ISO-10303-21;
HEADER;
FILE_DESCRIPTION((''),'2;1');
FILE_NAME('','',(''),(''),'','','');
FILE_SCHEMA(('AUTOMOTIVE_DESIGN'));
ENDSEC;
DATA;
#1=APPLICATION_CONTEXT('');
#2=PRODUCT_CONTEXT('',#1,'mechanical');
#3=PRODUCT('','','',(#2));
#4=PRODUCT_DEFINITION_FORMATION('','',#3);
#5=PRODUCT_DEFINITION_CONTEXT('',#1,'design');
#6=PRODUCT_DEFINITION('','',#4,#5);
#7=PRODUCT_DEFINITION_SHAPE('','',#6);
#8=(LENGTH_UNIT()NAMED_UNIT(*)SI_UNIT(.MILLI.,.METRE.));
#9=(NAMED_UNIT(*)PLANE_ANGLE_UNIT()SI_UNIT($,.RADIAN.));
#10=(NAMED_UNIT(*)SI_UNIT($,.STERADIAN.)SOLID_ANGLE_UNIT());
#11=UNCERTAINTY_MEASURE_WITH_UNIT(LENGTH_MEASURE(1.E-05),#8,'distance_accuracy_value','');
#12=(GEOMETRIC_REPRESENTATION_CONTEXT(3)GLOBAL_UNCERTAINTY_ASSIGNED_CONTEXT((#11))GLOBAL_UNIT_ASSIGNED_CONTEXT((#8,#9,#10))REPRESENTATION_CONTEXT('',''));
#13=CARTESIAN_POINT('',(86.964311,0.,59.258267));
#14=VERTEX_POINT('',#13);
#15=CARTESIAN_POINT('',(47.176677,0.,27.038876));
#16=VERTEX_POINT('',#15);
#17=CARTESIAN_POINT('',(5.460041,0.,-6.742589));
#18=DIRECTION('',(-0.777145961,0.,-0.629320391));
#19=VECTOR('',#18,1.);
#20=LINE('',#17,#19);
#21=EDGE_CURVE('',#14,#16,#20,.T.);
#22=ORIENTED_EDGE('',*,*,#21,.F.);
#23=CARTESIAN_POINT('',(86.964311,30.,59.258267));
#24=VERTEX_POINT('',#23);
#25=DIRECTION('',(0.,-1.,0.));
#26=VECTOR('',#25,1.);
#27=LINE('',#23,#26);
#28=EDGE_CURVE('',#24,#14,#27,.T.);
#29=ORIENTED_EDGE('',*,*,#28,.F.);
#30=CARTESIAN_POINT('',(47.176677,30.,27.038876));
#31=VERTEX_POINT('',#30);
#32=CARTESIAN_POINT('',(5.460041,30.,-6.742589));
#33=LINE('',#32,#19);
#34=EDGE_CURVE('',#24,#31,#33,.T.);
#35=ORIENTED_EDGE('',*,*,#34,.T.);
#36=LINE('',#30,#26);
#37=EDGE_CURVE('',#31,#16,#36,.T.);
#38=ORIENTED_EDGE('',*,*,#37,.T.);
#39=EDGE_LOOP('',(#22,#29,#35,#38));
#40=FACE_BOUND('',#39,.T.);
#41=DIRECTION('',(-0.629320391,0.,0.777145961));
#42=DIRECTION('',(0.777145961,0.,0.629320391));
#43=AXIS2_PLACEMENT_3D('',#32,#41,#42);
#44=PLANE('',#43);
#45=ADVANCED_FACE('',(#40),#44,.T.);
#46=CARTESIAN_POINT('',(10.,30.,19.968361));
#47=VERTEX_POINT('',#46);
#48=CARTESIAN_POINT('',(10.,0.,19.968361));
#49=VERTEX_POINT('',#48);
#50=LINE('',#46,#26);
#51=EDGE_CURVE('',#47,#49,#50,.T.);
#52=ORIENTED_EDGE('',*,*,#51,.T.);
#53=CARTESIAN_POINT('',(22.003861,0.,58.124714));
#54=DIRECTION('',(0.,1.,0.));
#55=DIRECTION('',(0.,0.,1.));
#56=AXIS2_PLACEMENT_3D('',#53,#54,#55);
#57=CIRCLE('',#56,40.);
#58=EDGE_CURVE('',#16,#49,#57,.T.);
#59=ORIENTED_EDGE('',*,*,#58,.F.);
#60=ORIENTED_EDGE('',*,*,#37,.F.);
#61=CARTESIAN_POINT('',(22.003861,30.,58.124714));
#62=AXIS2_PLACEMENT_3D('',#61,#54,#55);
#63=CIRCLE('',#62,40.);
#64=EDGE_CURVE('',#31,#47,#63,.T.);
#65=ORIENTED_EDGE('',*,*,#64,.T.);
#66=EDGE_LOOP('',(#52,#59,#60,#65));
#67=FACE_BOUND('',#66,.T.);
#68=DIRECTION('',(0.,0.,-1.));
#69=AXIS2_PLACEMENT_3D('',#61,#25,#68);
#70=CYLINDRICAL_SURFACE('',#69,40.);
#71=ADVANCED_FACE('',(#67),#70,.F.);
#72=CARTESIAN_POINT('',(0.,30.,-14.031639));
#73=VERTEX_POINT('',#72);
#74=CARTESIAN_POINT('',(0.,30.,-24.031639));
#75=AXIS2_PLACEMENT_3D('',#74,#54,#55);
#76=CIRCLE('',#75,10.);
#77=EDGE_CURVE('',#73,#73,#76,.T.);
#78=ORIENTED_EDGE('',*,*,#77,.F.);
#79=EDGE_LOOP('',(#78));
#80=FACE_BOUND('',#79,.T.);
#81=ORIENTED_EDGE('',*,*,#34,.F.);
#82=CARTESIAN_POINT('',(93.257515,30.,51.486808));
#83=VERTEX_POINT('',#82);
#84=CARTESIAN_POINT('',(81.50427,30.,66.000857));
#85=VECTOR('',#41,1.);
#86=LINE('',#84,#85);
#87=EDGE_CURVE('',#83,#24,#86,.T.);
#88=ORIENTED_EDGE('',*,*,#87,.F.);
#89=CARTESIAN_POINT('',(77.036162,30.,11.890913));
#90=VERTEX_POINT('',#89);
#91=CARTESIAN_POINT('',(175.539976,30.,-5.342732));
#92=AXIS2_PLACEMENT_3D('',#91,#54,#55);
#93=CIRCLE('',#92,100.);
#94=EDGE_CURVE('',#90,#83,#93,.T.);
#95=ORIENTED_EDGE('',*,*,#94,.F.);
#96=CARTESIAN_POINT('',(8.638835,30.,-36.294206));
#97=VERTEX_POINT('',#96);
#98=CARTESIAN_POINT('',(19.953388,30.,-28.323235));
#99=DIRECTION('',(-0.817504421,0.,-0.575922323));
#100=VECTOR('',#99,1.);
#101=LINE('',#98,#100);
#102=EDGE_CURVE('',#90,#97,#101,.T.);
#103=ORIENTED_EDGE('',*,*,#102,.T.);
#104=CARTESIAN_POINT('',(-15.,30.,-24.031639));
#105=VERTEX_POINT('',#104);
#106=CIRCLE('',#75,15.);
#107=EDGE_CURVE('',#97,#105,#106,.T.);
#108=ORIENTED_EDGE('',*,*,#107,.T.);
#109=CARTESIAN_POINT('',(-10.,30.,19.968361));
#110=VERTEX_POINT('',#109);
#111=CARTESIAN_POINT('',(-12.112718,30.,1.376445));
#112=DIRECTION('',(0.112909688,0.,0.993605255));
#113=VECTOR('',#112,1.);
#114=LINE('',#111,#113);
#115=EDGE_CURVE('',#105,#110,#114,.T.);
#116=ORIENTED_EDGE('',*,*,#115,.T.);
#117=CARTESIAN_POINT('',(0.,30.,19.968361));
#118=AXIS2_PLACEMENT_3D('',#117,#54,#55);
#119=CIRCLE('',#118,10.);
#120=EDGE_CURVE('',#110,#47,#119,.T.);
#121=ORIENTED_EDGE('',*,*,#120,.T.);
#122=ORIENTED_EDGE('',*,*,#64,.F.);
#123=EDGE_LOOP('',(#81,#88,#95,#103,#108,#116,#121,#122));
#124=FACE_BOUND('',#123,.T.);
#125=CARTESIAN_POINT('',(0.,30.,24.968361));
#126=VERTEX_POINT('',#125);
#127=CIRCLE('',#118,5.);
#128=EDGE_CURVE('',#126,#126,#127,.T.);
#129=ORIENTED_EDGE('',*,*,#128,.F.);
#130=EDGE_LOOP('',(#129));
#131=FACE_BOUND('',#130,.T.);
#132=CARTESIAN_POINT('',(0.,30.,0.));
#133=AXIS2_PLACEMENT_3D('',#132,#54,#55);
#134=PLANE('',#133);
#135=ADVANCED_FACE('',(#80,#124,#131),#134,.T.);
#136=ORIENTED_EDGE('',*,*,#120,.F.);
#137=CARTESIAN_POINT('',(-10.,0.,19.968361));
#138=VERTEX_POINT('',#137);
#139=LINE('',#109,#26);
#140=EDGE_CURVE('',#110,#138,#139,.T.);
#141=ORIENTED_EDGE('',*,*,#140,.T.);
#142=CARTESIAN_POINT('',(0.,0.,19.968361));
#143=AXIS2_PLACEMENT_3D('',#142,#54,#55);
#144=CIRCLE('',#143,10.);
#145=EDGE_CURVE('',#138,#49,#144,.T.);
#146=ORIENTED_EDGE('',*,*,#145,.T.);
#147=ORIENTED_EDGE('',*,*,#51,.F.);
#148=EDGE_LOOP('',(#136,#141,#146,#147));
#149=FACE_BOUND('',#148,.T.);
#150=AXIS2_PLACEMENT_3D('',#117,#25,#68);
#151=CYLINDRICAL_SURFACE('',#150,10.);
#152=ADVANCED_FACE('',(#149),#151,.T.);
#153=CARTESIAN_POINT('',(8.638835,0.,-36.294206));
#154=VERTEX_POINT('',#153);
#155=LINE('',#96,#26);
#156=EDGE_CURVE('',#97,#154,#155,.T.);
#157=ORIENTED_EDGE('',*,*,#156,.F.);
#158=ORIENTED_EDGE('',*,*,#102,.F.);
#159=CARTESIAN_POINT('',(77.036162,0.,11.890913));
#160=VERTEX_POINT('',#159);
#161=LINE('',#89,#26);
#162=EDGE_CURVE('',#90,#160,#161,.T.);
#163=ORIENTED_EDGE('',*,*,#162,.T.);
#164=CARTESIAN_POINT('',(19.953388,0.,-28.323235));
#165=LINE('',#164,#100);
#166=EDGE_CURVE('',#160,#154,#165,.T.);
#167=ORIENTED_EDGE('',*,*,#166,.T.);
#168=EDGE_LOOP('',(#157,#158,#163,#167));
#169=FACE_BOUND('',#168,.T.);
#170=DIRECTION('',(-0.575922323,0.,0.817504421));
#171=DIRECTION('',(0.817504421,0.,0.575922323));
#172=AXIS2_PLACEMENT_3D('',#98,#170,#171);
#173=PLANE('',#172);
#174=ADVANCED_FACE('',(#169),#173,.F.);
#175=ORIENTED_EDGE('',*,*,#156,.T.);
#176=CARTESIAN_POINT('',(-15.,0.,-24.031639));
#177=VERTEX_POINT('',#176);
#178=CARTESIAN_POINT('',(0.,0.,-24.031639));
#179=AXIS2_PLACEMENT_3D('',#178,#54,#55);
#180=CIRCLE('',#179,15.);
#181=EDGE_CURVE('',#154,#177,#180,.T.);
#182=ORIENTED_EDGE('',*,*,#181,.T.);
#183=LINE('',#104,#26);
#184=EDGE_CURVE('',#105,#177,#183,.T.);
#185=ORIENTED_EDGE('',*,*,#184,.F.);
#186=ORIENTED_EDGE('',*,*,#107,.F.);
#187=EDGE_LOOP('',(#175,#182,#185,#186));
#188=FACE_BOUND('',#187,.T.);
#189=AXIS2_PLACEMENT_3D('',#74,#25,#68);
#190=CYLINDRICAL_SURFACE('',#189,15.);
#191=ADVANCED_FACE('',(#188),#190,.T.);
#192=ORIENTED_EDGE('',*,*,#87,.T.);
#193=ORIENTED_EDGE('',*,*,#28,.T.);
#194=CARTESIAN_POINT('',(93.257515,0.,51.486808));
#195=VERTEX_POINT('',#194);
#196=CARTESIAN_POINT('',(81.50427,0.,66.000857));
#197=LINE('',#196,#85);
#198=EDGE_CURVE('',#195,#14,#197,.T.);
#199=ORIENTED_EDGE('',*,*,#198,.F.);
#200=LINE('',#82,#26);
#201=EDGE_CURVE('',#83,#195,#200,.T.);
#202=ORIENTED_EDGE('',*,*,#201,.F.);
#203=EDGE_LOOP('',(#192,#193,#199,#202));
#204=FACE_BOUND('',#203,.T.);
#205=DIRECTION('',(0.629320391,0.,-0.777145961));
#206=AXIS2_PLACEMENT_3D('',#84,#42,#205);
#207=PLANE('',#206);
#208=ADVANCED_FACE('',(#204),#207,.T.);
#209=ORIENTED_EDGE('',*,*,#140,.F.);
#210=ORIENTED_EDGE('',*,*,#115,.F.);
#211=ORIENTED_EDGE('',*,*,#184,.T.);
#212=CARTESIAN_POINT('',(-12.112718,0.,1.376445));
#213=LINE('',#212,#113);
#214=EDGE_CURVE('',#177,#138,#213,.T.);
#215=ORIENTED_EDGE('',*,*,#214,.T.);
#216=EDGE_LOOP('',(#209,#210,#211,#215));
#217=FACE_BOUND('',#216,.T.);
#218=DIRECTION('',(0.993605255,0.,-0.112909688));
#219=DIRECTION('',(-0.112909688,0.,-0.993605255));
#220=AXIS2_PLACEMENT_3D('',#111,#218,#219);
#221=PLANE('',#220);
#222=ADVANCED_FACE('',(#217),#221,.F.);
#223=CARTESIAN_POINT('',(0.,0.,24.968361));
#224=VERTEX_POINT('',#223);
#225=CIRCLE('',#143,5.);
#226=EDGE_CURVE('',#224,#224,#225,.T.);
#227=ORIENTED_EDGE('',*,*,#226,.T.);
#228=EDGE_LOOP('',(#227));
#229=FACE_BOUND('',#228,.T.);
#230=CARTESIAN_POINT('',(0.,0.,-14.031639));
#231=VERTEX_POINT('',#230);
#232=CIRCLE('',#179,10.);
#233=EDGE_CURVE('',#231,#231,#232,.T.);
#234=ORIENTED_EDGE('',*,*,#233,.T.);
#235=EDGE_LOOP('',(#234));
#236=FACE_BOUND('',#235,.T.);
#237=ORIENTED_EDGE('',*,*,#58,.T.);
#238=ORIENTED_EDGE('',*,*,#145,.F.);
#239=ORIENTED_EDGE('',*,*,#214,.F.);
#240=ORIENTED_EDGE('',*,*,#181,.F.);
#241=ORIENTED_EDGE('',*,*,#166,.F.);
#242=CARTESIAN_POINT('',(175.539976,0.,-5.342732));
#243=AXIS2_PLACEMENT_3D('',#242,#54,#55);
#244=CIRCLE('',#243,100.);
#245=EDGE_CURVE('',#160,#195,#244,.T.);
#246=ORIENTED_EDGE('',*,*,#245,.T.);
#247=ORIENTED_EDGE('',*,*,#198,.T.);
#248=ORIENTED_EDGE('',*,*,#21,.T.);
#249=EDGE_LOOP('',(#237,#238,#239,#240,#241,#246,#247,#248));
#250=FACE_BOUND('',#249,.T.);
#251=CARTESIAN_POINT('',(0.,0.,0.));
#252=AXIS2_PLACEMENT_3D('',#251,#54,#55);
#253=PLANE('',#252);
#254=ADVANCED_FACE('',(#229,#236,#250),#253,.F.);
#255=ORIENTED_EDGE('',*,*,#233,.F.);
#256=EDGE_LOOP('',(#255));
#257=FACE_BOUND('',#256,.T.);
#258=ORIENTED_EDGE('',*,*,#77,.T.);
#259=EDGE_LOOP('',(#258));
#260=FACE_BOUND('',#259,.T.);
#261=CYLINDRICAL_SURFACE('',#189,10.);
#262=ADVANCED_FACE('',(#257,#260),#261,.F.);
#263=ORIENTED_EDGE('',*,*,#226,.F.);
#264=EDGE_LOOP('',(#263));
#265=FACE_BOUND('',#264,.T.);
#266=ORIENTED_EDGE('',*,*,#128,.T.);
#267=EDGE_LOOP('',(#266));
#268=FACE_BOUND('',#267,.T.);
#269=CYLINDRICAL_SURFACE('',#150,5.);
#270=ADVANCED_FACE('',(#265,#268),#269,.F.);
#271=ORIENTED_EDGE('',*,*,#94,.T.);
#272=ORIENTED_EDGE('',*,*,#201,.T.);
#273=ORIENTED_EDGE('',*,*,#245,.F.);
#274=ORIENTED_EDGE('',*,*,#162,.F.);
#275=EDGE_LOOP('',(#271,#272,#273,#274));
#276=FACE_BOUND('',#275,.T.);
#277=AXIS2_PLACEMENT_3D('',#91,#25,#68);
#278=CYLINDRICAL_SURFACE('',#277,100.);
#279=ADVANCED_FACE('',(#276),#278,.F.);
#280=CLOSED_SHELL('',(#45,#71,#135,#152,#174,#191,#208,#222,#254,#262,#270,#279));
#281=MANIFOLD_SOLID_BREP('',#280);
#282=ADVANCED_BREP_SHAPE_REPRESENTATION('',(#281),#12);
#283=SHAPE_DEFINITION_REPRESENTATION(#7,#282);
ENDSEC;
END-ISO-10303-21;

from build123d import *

# Parameters (mm, degrees)
SKETCH1_R           = 10
SKETCH1_R_2         = 5
BOSS_EXTRUDE1_DEPTH = 30


with BuildPart() as part:
    # Sketch1 → Boss-Extrude1 (new body)
    with BuildSketch(Plane(origin=(0, 0, 0), x_dir=(1, 0, 0), z_dir=(0, 1, 0))):
        with BuildLine():
            Line((-15, 24.031639244), (-10, -19.968360756))
            ThreePointArc((-10, -19.968360756), (0, -29.968360756), (10, -19.968360756))
            ThreePointArc((10, -19.968360756), (29.477373415, -18.829083409), (47.176676653, -27.038875908))
            Line((47.176676653, -27.038875908), (86.964311464, -59.258267297))
            Line((86.964311464, -59.258267297), (93.257515375, -51.486807682))
            ThreePointArc((93.257515375, -51.486807682), (83.004155911, -32.566658766), (77.036161898, -11.890913004))
            Line((77.036161898, -11.890913004), (8.638834838, 36.294205559))
            ThreePointArc((8.638834838, 36.294205559), (-6.907151274, 37.346715709), (-15, 24.031639244))
        make_face()
        with Locations((0, 24.031639244)):
            Circle(SKETCH1_R, mode=Mode.SUBTRACT)
        with Locations((0, -19.968360756)):
            Circle(SKETCH1_R_2, mode=Mode.SUBTRACT)
    extrude(amount=BOSS_EXTRUDE1_DEPTH)


solid = part.part
